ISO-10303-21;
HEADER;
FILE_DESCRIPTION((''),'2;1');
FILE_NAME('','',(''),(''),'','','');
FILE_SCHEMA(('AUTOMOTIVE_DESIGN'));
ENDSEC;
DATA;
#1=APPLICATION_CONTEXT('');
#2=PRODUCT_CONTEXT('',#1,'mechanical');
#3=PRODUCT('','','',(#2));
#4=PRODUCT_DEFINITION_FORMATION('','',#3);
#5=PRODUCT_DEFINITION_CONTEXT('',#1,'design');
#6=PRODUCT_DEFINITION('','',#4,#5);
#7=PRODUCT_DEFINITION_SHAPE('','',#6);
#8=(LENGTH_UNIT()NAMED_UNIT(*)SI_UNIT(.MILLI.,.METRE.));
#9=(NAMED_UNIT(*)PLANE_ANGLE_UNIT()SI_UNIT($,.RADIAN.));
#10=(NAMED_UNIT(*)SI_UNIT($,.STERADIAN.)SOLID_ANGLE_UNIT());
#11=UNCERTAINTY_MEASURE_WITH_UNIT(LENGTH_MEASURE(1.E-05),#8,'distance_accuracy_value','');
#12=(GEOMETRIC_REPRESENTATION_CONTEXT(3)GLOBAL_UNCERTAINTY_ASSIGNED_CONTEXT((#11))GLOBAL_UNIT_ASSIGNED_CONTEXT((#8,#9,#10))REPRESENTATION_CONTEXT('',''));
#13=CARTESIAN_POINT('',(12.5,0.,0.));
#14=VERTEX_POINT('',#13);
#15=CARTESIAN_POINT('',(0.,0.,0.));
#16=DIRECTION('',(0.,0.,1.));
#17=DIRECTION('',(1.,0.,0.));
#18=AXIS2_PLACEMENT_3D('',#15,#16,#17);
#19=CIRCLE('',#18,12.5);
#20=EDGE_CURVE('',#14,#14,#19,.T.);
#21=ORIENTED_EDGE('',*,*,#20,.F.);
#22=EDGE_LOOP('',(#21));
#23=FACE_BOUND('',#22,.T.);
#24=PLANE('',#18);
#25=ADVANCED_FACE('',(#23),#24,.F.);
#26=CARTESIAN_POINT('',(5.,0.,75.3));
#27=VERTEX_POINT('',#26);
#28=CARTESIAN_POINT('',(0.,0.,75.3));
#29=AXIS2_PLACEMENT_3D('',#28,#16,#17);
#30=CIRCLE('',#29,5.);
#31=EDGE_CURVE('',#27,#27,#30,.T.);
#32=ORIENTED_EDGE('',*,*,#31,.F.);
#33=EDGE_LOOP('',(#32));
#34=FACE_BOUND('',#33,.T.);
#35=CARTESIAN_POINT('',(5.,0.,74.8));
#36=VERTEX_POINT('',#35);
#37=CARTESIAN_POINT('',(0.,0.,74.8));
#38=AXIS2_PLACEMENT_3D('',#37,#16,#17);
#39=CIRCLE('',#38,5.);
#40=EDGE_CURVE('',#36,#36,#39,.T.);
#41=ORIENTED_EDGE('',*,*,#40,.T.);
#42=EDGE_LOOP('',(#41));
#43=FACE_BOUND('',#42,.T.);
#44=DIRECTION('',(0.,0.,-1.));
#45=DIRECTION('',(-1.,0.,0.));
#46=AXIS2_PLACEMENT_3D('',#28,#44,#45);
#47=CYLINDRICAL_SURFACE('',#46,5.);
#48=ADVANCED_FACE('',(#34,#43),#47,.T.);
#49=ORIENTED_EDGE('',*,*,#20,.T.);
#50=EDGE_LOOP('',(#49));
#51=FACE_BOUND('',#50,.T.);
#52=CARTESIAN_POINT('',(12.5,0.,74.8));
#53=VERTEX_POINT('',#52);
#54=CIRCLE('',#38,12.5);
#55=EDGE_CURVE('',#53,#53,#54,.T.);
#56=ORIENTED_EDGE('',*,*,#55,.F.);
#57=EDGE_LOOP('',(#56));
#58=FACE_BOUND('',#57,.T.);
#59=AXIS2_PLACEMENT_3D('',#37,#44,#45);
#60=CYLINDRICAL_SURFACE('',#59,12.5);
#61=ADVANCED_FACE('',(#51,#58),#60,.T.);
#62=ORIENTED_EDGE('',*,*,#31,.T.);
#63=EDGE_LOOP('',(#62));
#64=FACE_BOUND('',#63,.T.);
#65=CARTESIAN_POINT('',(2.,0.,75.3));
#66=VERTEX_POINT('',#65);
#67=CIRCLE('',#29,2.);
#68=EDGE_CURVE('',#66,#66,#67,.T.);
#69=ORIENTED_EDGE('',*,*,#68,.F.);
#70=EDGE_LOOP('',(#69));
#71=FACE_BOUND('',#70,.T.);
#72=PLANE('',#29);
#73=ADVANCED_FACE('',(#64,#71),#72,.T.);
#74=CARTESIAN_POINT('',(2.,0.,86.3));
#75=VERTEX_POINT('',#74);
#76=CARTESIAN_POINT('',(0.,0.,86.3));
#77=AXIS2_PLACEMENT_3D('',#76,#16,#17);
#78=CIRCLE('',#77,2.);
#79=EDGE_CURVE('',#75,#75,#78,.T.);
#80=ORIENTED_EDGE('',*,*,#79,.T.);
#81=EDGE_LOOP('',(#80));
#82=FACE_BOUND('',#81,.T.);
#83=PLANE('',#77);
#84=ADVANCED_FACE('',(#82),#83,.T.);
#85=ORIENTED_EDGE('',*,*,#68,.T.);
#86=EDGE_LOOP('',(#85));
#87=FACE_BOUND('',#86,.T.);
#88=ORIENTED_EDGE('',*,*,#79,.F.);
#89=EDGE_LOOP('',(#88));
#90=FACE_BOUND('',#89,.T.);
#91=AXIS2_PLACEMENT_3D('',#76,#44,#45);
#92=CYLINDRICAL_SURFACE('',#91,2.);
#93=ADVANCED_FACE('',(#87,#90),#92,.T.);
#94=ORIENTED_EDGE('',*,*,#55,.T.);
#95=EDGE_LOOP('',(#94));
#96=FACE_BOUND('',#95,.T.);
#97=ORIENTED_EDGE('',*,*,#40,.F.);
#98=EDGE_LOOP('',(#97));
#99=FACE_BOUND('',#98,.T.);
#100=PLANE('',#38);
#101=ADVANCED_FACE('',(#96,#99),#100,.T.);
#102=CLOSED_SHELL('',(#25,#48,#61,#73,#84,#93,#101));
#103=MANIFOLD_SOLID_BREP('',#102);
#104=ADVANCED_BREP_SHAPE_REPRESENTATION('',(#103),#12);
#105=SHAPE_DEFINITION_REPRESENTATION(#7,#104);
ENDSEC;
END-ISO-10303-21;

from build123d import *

# Parameters (mm, degrees)
SKETCH3_R           = 12.5
BOSS_EXTRUDE1_DEPTH = 74.8
SKETCH4_R           = 5
BOSS_EXTRUDE2_DEPTH = 0.5
SKETCH5_R           = 2
BOSS_EXTRUDE3_DEPTH = 11


with BuildPart() as part:
    # Sketch3 → Boss-Extrude1 (new body)
    with BuildSketch(Plane.XY):
        Circle(SKETCH3_R)
    extrude(amount=BOSS_EXTRUDE1_DEPTH)

    # Sketch4 → Boss-Extrude2 (add)
    with BuildSketch(Plane.XY.offset(74.8)):
        Circle(SKETCH4_R)
    extrude(amount=BOSS_EXTRUDE2_DEPTH)

    # Sketch5 → Boss-Extrude3 (add)
    with BuildSketch(Plane.XY.offset(75.3)):
        Circle(SKETCH5_R)
    extrude(amount=BOSS_EXTRUDE3_DEPTH)


solid = part.part
